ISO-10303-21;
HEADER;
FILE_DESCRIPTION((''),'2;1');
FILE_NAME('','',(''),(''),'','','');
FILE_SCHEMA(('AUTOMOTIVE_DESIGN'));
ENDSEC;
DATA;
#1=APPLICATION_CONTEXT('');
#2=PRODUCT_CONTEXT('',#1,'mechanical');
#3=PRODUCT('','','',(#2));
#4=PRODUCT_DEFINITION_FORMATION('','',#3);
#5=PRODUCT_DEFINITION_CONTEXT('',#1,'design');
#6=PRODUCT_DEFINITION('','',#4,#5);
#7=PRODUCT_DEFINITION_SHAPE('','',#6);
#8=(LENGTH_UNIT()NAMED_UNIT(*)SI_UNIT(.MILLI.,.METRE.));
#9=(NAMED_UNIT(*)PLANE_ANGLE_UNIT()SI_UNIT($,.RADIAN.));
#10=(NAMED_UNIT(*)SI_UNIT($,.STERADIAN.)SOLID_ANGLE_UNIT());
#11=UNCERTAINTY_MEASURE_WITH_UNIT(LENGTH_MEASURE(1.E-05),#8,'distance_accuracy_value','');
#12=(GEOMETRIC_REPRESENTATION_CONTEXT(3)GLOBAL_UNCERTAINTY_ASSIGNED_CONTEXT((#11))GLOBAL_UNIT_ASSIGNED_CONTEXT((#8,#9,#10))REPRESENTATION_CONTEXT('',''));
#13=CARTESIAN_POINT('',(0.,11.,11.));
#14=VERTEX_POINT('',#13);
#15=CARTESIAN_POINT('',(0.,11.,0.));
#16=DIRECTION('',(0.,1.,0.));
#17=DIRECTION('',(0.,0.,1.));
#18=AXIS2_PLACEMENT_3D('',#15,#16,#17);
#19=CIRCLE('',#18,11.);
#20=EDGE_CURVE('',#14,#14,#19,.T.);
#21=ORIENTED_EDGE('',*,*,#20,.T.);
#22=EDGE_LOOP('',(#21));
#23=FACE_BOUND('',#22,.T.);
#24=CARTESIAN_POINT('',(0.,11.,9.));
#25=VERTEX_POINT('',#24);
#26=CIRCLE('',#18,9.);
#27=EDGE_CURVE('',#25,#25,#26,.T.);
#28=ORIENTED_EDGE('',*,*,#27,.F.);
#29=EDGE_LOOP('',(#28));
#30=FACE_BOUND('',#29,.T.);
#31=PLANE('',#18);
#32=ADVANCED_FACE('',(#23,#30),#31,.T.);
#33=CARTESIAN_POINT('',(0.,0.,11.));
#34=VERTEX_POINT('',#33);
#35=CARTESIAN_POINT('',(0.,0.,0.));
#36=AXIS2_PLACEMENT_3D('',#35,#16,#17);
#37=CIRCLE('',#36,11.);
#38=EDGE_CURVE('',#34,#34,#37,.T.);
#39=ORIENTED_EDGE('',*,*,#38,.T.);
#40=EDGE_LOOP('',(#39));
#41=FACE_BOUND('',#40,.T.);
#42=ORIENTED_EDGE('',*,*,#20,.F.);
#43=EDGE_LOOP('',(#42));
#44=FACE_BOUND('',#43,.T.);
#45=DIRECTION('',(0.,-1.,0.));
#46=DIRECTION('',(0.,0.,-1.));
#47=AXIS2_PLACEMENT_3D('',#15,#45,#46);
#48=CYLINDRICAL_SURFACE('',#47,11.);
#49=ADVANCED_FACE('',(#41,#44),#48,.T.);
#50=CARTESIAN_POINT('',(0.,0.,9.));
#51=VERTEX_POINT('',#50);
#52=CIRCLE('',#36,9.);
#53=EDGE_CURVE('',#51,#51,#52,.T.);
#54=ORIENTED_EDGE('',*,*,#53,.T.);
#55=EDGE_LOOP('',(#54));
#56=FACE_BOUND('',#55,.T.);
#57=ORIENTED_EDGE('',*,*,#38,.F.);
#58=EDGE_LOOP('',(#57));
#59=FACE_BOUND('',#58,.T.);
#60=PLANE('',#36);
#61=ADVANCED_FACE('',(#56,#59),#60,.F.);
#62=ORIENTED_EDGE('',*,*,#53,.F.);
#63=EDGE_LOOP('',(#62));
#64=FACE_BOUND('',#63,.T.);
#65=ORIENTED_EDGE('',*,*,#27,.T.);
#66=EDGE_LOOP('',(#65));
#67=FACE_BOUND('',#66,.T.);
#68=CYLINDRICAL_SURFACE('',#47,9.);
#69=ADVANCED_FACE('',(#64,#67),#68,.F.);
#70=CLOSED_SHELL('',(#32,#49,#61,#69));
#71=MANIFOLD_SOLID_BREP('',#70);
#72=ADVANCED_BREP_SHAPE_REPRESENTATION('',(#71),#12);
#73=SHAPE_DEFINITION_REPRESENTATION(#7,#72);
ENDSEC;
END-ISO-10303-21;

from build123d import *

# Parameters (mm, degrees)
SKETCH1_R           = 11
SKETCH1_R_2         = 9
BOSS_EXTRUDE1_DEPTH = 11


with BuildPart() as part:
    # Sketch1 → Boss-Extrude1 (new body)
    with BuildSketch(Plane(origin=(0, 0, 0), x_dir=(1, 0, 0), z_dir=(0, 1, 0))):
        with Locations(Location((0, 0, 0), (0, 0, 270))):
            Circle(SKETCH1_R)
        with Locations(Location((0, 0, 0), (0, 0, 270))):
            Circle(SKETCH1_R_2, mode=Mode.SUBTRACT)
    extrude(amount=BOSS_EXTRUDE1_DEPTH)


solid = part.part
